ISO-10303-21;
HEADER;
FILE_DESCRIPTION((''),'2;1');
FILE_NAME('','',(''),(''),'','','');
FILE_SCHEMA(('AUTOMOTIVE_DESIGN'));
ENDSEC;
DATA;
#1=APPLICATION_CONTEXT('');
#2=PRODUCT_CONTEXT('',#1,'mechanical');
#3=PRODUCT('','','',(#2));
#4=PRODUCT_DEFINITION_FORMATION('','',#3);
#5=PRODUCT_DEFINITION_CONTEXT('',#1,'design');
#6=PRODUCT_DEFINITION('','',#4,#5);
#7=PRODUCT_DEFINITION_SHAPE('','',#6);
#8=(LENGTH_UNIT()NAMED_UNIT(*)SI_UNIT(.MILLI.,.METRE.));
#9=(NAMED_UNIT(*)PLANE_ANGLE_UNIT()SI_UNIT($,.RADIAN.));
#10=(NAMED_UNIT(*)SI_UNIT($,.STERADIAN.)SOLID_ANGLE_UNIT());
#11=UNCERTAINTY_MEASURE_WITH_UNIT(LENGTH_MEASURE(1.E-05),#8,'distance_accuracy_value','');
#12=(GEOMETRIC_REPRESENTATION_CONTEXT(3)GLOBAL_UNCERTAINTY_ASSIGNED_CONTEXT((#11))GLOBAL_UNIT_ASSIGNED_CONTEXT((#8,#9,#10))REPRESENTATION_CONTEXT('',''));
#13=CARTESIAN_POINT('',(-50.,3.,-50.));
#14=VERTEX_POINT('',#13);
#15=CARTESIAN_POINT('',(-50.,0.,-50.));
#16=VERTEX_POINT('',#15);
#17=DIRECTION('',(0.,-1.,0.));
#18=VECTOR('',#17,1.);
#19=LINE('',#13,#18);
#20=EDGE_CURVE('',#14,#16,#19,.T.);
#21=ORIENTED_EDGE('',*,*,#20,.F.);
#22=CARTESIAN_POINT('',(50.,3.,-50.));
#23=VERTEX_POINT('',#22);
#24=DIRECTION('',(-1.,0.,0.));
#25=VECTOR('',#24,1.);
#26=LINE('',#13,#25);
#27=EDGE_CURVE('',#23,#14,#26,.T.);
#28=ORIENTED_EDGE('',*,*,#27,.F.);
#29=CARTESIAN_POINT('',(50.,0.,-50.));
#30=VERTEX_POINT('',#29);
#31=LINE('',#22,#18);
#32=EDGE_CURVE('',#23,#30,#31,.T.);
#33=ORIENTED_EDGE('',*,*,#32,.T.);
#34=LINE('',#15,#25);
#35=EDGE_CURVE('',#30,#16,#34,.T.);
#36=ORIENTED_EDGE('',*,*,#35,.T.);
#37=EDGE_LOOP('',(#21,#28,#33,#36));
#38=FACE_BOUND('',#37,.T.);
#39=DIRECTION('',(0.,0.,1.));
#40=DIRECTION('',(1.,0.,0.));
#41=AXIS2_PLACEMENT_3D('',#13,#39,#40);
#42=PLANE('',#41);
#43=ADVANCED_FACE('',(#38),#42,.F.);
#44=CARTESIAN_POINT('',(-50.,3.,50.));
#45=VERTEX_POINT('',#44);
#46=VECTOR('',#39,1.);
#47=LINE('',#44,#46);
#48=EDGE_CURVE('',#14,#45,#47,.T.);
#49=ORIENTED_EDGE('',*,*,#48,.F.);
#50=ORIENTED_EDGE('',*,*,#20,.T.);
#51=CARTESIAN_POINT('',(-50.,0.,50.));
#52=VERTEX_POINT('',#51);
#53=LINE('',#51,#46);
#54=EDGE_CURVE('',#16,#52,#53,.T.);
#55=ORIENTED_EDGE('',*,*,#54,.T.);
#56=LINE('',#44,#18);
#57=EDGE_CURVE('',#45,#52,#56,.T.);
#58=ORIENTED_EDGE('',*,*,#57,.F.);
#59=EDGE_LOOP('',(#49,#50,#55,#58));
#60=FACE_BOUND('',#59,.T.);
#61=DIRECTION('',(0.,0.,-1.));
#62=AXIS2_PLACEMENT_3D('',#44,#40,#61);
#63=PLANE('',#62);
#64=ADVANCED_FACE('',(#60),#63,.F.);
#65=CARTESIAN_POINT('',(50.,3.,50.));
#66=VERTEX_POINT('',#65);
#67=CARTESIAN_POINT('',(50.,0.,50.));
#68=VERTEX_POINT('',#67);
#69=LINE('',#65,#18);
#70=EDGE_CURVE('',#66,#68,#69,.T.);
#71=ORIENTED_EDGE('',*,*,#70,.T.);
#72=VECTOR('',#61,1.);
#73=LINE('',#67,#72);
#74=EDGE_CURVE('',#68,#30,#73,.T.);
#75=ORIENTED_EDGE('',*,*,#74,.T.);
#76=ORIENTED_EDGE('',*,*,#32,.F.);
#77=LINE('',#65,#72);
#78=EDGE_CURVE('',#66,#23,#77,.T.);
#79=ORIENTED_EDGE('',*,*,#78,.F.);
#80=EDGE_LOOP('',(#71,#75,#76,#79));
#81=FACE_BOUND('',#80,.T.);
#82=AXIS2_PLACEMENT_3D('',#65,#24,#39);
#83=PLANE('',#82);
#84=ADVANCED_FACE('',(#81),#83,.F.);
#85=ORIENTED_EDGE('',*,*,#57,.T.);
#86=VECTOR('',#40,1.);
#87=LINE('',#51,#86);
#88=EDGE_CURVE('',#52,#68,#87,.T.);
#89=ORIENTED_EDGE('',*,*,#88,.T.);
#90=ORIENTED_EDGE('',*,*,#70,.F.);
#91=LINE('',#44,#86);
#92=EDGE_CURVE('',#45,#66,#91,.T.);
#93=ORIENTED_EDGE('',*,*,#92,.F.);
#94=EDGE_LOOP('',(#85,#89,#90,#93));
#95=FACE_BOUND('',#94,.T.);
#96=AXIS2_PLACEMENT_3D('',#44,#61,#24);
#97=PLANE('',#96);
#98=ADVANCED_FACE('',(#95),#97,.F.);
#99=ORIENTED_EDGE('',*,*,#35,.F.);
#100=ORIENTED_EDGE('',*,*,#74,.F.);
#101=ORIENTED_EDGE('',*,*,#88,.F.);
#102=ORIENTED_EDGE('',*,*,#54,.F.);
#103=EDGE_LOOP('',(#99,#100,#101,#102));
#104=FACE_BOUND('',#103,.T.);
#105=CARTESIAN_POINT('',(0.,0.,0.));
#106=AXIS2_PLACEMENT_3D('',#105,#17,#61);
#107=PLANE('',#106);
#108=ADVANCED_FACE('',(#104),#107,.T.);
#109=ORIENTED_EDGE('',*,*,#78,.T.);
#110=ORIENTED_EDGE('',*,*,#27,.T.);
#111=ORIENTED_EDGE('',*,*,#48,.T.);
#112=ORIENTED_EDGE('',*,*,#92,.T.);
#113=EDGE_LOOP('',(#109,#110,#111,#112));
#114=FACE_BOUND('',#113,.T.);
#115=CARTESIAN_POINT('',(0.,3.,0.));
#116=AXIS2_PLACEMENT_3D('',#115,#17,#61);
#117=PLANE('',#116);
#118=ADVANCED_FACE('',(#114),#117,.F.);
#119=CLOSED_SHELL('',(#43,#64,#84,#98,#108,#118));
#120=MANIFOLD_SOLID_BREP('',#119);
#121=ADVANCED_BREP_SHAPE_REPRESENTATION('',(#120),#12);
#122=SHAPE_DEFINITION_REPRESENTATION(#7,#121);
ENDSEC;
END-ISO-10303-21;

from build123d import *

# Parameters (mm, degrees)
SKETCH1_W           = 100
SKETCH1_H           = 100
BOSS_EXTRUDE1_DEPTH = 3


with BuildPart() as part:
    # Sketch1 → Boss-Extrude1 (new body)
    with BuildSketch(Plane(origin=(0, 0, 0), x_dir=(1, 0, 0), z_dir=(0, 1, 0))):
        Rectangle(SKETCH1_W, SKETCH1_H)
    extrude(amount=BOSS_EXTRUDE1_DEPTH)


solid = part.part
